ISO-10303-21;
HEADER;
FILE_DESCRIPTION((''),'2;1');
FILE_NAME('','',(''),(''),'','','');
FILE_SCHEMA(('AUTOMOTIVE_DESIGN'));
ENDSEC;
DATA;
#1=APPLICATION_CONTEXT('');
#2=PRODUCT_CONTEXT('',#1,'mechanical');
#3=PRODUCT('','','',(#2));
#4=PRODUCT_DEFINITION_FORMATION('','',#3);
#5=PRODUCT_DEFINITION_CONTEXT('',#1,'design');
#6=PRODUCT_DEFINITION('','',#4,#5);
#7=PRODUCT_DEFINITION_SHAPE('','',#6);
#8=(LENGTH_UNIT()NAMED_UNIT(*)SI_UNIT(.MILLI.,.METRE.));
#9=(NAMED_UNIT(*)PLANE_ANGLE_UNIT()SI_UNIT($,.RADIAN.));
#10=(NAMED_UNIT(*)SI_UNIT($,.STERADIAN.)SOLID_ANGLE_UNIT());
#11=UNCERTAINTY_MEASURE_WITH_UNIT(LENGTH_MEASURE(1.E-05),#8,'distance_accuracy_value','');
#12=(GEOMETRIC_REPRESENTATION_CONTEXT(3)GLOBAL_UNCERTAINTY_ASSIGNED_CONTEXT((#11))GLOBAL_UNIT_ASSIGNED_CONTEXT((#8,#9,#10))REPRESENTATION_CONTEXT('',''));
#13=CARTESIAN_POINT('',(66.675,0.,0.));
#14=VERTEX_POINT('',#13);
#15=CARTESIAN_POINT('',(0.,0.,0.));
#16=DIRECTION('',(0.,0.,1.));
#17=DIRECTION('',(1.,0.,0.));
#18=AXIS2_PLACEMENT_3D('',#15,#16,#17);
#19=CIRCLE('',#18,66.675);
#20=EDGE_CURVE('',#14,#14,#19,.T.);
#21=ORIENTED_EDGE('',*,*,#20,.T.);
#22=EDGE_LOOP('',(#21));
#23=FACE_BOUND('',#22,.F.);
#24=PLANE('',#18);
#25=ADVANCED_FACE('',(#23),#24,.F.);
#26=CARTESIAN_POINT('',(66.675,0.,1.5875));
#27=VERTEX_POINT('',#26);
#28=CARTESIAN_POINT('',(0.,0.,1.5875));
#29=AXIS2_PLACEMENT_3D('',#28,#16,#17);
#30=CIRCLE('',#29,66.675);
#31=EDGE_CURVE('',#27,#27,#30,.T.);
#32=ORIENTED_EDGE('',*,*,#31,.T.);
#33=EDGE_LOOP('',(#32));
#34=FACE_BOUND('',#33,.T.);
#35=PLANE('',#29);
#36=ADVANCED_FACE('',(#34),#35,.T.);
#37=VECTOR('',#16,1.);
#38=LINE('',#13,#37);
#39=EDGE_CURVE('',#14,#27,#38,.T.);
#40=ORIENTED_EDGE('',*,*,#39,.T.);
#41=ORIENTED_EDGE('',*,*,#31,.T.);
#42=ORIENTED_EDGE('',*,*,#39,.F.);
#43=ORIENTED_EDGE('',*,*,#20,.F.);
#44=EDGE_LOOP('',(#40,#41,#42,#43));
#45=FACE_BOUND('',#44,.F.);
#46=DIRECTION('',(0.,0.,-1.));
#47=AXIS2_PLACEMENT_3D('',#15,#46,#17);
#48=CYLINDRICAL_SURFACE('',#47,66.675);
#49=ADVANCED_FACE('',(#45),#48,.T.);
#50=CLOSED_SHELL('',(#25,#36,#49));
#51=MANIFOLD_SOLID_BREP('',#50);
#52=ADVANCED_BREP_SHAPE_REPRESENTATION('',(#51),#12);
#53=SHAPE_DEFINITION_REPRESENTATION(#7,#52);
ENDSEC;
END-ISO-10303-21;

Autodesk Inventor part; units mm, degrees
ref_plane "YZ Plane" through (0, 0, 0) normal (1, 0, 0) x (0, 1, 0)
ref_plane "XZ Plane" through (0, 0, 0) normal (0, 1, 0) x (-1, 0, 0)
ref_plane "XY Plane" through (0, 0, 0) normal (0, 0, 1) x (1, 0, 0)
sketch "Sketch1" plane through (0, 0, 0) normal (0, 0, 1) x (1, 0, 0)
  circle A0 centre (0, 0) radius 66.675
  dimension "d0" = 133.35
  dimension "d0" = 133.35
extrude "Extrusion1" add sketch "Sketch1" along normal blind 1.5875
properties part number "arduino_plate"
